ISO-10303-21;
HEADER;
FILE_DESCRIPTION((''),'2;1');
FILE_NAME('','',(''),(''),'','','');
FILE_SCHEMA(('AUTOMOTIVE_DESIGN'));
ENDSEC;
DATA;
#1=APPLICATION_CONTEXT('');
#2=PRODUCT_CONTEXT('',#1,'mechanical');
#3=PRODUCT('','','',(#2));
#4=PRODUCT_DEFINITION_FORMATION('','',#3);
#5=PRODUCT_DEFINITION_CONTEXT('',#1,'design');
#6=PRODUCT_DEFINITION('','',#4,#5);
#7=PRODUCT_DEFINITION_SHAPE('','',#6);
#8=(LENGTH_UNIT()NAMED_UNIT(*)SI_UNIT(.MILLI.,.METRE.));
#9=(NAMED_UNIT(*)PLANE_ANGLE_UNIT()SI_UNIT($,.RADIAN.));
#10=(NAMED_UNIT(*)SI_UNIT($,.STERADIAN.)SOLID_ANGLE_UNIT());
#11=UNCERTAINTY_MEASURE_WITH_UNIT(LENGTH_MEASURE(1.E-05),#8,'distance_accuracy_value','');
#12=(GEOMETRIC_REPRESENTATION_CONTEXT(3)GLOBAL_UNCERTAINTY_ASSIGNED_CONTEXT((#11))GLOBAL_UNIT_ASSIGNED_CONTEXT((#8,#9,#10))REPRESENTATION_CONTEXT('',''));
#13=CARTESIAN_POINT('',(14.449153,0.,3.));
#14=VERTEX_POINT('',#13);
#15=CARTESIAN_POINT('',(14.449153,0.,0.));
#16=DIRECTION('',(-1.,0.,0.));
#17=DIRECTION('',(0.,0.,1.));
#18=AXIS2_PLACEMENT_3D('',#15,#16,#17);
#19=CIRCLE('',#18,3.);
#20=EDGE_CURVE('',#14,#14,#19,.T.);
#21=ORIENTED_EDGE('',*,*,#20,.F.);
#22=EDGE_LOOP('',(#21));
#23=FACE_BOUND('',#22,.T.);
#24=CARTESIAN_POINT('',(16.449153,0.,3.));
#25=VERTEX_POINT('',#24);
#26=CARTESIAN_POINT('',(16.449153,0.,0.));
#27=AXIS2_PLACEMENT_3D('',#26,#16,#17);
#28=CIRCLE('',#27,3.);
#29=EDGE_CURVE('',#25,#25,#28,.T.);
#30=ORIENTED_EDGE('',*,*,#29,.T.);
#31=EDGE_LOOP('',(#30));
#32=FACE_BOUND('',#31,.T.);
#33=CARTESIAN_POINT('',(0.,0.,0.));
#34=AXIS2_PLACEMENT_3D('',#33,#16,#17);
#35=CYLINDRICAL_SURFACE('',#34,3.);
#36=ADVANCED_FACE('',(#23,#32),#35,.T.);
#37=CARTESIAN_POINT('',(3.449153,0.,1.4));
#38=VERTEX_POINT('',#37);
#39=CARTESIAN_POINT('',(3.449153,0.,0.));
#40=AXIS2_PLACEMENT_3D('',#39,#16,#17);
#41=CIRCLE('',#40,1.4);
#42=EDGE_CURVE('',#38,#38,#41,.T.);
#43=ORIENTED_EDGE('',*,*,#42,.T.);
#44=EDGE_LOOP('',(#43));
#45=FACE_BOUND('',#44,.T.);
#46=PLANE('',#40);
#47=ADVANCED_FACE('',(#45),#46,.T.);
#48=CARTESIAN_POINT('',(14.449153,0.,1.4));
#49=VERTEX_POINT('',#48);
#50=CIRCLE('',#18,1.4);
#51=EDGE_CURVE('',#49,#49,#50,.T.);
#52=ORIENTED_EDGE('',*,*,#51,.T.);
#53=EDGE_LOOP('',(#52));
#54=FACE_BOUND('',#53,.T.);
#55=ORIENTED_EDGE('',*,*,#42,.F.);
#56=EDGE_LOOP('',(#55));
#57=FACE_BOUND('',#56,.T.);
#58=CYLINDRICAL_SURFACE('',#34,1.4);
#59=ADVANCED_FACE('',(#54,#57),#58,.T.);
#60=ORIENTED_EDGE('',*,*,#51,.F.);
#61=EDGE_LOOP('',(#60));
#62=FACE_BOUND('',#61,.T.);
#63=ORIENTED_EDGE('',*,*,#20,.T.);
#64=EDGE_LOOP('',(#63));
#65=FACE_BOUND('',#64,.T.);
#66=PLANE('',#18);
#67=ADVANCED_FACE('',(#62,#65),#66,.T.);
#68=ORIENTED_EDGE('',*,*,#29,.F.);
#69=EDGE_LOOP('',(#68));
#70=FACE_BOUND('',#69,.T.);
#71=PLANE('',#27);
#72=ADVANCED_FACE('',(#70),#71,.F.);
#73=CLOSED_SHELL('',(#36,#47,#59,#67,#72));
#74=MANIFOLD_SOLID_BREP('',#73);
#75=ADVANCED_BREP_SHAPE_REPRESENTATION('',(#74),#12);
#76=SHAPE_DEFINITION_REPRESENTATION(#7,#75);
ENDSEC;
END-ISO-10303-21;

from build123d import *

# Parameters (mm, degrees)
SKETCH1_W = 11
SKETCH1_H = 1.4


with BuildPart() as part:
    # Sketch1 → Revolve1 (revolve)
    with BuildSketch(Plane.XY, mode=Mode.PRIVATE) as revolve1_sk:
        Polygon((14.449152542, 1.4), (14.449152542, 0), (16.449152542, 0), (16.449152542, 3), (14.449152542, 3), align=None)
        with Locations((8.949152542, 0.7)):
            Rectangle(SKETCH1_W, SKETCH1_H)
    revolve(revolve1_sk.sketch.rotate(Axis((0, 0, 0), (1, 0, 0)), 90), axis=Axis((0, 0, 0), (1, 0, 0)))


solid = part.part
